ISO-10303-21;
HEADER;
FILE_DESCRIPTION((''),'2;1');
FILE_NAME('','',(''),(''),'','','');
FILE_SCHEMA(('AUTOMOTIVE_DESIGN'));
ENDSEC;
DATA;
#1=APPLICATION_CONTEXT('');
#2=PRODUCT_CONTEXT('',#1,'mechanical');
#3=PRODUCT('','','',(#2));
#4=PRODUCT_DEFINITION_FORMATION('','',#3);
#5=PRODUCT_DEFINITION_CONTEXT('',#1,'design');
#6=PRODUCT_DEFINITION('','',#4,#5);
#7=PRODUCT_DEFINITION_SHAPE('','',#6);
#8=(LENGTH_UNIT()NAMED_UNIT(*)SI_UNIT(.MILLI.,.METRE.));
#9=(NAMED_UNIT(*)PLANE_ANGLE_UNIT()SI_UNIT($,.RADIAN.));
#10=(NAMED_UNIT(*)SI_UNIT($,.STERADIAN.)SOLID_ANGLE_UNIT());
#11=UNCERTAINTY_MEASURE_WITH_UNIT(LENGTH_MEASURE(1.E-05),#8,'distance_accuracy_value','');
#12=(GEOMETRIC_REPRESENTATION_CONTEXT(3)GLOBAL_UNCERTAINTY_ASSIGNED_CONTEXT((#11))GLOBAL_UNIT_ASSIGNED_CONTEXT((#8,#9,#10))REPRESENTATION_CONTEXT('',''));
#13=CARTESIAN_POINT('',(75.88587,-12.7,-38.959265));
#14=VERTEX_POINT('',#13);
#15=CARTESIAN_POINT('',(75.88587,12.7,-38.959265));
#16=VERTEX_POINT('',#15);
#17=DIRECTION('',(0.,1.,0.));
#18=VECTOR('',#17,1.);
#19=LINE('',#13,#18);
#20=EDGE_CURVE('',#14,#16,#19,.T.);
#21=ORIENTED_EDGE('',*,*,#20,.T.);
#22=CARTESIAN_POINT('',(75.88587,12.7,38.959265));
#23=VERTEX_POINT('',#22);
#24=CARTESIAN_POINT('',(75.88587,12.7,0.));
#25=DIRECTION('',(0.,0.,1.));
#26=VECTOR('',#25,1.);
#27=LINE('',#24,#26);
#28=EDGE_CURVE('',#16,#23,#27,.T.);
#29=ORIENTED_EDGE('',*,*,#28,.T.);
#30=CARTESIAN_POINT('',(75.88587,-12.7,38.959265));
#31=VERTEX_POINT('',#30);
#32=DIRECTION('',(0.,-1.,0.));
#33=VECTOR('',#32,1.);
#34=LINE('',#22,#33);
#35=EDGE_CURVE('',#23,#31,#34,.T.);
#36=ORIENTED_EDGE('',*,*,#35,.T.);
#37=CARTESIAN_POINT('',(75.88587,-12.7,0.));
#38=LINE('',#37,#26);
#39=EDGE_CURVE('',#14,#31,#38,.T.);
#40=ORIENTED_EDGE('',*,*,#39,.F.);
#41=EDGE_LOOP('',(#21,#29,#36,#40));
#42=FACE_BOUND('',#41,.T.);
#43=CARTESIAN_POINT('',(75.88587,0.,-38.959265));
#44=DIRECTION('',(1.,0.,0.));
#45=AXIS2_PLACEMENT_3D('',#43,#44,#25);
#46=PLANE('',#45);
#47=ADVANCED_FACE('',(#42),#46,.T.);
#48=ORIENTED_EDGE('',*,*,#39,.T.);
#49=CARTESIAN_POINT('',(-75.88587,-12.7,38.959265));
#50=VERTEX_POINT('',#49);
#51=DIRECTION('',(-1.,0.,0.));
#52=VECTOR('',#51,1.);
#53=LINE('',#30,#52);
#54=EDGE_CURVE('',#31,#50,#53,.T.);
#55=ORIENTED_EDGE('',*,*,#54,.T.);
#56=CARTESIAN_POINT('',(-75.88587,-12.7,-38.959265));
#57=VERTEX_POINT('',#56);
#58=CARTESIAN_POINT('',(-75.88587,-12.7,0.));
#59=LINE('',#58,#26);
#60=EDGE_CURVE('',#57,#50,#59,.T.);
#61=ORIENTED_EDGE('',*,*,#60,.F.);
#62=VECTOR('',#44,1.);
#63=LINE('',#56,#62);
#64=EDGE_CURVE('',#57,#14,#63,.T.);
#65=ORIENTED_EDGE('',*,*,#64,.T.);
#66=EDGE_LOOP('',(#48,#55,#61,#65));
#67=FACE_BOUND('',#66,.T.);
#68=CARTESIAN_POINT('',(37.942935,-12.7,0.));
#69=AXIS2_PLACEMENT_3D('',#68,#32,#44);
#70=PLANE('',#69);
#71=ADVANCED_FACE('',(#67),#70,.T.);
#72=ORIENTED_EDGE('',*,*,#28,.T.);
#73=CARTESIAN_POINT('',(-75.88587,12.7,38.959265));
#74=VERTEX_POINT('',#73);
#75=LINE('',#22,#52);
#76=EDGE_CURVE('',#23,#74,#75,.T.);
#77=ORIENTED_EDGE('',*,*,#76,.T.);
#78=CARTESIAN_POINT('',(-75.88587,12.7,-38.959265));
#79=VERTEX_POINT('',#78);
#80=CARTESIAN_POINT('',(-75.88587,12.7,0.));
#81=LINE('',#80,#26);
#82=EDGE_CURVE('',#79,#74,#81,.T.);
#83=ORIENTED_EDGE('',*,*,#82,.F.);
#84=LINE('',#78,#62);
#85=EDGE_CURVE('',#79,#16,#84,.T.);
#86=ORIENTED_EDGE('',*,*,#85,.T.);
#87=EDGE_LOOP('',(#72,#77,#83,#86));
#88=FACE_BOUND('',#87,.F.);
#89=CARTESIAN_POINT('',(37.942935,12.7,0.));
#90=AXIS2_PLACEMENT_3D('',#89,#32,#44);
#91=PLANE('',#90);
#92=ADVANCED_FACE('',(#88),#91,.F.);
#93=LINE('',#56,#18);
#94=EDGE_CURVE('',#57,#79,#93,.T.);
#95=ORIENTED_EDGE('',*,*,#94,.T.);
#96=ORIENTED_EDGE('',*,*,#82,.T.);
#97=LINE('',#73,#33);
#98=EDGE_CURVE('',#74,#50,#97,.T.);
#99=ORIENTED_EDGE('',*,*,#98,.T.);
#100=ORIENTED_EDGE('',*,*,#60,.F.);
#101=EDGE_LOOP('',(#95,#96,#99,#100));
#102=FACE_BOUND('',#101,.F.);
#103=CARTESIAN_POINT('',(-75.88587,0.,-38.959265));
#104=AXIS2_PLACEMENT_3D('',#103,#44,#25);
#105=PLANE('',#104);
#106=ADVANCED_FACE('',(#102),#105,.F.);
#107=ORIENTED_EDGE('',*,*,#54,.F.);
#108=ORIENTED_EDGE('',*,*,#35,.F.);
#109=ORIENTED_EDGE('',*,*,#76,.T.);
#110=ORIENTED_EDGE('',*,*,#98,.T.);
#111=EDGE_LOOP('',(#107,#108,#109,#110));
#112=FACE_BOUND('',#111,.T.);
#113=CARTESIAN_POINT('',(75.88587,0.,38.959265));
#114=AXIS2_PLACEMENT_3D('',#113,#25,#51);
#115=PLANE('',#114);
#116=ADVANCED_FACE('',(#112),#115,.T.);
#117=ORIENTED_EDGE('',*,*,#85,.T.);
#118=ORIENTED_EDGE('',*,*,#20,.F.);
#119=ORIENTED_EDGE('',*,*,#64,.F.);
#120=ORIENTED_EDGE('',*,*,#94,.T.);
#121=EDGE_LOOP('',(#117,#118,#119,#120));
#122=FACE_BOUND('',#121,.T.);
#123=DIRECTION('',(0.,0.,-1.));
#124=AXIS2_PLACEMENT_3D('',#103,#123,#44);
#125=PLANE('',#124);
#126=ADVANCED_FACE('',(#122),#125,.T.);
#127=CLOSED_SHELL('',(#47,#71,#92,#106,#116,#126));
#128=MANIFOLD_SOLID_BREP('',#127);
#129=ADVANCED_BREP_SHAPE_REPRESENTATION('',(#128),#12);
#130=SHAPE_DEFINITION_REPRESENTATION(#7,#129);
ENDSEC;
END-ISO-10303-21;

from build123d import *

# Parameters (mm, degrees)
F0_W     = 75.88587
F0_H     = 77.91853
F1_DEPTH = 12.7
F2_T     = -25.4


with BuildPart() as f1:
    # F0 (on Front) → F1 (new body, symmetric)
    with BuildSketch(Plane.XZ):
        with Locations((37.942935, 0)):
            Rectangle(F0_W, F0_H)
        with Locations((-37.942935, 0)):
            Rectangle(F0_W, F0_H)
    extrude(amount=F1_DEPTH, both=True)

    # F2
    f2_openings = [f1.faces().sort_by_distance(p)[0] for p in [
        (0, -12.7, 0),
    ]]
    offset(amount=F2_T, openings=f2_openings)


solid = f1.part
